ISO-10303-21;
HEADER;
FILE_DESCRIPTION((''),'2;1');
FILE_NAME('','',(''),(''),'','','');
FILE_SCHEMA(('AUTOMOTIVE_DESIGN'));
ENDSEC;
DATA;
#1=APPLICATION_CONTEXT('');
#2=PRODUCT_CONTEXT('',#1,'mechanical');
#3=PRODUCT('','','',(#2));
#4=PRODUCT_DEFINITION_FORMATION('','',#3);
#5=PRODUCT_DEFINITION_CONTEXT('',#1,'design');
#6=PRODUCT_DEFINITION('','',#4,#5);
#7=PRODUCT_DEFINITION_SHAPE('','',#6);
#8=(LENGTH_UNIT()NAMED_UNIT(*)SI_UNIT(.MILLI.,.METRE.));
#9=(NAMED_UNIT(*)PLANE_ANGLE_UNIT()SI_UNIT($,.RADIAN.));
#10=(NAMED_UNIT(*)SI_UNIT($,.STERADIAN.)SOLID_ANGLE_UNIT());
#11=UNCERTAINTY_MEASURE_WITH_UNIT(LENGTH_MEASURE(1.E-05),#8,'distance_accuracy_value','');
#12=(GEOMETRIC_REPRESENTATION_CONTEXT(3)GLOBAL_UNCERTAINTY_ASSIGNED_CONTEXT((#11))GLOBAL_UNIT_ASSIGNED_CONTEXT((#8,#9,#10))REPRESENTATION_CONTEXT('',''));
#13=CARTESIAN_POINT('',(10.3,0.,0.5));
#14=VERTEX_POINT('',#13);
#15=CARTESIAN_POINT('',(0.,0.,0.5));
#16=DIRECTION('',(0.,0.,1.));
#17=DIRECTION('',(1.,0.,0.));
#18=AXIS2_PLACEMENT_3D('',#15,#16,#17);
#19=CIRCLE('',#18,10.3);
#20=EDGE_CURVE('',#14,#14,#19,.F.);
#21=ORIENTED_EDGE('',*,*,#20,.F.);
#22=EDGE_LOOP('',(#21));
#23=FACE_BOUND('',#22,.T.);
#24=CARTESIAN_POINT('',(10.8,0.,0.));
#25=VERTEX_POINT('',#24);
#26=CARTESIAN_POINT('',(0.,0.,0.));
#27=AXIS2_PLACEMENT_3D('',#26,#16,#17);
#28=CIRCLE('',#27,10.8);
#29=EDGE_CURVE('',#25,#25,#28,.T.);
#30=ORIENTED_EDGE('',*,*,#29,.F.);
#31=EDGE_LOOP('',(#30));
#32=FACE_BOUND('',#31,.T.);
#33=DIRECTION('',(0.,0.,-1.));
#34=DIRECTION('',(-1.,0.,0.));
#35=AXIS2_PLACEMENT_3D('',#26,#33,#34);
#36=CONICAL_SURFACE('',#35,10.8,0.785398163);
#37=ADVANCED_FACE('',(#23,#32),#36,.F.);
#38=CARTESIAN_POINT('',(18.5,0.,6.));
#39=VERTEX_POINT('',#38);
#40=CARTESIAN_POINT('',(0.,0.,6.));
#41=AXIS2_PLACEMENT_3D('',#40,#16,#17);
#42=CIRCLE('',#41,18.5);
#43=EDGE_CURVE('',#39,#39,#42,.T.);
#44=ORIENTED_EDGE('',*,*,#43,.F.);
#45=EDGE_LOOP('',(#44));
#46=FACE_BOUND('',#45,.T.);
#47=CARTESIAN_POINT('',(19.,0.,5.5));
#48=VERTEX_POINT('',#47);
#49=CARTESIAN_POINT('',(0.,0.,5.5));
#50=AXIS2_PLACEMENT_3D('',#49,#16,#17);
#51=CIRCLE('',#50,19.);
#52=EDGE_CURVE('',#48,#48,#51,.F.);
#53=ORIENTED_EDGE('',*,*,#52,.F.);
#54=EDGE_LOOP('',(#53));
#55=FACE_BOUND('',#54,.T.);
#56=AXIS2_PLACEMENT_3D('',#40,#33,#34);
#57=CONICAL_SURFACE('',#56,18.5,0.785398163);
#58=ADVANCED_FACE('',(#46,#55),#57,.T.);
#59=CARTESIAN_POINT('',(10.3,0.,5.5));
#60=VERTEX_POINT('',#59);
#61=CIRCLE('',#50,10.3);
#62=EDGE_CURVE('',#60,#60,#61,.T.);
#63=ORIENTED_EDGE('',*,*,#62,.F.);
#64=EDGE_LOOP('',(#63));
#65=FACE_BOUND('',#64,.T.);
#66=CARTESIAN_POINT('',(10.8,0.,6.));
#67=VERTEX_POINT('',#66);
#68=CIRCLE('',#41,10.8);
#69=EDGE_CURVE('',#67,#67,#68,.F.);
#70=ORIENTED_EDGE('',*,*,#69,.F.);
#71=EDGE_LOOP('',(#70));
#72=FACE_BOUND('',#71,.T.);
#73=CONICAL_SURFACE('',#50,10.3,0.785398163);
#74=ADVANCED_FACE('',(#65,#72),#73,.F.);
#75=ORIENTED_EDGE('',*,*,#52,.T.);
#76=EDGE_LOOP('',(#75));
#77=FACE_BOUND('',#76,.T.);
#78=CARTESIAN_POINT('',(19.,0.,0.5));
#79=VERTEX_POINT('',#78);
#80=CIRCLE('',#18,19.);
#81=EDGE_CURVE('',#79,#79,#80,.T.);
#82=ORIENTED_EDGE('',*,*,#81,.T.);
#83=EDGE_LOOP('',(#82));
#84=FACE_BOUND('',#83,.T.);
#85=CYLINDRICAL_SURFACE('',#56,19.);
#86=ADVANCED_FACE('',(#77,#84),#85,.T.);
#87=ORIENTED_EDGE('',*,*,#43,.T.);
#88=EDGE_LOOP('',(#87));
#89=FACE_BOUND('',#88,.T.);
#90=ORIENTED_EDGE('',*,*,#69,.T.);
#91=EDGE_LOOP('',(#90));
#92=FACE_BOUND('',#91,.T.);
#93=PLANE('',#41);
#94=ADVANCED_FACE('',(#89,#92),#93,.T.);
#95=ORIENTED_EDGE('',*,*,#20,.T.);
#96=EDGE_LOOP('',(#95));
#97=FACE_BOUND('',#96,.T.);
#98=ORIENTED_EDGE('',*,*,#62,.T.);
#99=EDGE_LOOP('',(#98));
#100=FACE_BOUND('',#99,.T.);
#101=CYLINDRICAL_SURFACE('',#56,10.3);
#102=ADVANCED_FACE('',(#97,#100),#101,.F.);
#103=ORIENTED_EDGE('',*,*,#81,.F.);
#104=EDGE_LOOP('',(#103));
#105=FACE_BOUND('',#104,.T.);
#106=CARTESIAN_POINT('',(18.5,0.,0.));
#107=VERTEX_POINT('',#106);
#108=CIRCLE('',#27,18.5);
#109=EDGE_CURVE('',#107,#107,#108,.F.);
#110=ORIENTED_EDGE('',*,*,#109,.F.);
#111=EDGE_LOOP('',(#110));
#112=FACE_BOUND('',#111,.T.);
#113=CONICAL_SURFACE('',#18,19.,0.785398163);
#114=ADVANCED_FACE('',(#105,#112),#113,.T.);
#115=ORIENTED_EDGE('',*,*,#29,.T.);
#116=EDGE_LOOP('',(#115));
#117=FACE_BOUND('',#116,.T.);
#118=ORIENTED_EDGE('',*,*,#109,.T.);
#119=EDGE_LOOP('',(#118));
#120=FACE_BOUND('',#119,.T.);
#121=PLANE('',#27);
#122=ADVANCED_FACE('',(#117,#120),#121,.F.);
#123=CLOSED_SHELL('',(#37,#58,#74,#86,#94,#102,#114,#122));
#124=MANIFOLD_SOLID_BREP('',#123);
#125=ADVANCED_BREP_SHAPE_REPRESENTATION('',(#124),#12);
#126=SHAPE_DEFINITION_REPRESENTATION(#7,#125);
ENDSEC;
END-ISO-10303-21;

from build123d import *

# Parameters (mm, degrees)
SKETCH1_R      = 19
SKETCH1_R_2    = 10.3
EXTRUDE1_DEPTH = 6
CHAMFER1_SIZE  = 0.5


with BuildPart() as part:
    # Sketch1 → Extrude1 (new body)
    with BuildSketch(Plane.XY):
        Circle(SKETCH1_R)
        Circle(SKETCH1_R_2, mode=Mode.SUBTRACT)
    extrude(amount=EXTRUDE1_DEPTH)

    # Chamfer1
    chamfer1_edges = [part.edges().sort_by_distance(p)[0] for p in [
        (-19, 0, 0),
        (-19, 0, 6),
        (-10.3, 0, 0),
        (-10.3, 0, 6),
    ]]
    chamfer(chamfer1_edges, length=CHAMFER1_SIZE)


solid = part.part
